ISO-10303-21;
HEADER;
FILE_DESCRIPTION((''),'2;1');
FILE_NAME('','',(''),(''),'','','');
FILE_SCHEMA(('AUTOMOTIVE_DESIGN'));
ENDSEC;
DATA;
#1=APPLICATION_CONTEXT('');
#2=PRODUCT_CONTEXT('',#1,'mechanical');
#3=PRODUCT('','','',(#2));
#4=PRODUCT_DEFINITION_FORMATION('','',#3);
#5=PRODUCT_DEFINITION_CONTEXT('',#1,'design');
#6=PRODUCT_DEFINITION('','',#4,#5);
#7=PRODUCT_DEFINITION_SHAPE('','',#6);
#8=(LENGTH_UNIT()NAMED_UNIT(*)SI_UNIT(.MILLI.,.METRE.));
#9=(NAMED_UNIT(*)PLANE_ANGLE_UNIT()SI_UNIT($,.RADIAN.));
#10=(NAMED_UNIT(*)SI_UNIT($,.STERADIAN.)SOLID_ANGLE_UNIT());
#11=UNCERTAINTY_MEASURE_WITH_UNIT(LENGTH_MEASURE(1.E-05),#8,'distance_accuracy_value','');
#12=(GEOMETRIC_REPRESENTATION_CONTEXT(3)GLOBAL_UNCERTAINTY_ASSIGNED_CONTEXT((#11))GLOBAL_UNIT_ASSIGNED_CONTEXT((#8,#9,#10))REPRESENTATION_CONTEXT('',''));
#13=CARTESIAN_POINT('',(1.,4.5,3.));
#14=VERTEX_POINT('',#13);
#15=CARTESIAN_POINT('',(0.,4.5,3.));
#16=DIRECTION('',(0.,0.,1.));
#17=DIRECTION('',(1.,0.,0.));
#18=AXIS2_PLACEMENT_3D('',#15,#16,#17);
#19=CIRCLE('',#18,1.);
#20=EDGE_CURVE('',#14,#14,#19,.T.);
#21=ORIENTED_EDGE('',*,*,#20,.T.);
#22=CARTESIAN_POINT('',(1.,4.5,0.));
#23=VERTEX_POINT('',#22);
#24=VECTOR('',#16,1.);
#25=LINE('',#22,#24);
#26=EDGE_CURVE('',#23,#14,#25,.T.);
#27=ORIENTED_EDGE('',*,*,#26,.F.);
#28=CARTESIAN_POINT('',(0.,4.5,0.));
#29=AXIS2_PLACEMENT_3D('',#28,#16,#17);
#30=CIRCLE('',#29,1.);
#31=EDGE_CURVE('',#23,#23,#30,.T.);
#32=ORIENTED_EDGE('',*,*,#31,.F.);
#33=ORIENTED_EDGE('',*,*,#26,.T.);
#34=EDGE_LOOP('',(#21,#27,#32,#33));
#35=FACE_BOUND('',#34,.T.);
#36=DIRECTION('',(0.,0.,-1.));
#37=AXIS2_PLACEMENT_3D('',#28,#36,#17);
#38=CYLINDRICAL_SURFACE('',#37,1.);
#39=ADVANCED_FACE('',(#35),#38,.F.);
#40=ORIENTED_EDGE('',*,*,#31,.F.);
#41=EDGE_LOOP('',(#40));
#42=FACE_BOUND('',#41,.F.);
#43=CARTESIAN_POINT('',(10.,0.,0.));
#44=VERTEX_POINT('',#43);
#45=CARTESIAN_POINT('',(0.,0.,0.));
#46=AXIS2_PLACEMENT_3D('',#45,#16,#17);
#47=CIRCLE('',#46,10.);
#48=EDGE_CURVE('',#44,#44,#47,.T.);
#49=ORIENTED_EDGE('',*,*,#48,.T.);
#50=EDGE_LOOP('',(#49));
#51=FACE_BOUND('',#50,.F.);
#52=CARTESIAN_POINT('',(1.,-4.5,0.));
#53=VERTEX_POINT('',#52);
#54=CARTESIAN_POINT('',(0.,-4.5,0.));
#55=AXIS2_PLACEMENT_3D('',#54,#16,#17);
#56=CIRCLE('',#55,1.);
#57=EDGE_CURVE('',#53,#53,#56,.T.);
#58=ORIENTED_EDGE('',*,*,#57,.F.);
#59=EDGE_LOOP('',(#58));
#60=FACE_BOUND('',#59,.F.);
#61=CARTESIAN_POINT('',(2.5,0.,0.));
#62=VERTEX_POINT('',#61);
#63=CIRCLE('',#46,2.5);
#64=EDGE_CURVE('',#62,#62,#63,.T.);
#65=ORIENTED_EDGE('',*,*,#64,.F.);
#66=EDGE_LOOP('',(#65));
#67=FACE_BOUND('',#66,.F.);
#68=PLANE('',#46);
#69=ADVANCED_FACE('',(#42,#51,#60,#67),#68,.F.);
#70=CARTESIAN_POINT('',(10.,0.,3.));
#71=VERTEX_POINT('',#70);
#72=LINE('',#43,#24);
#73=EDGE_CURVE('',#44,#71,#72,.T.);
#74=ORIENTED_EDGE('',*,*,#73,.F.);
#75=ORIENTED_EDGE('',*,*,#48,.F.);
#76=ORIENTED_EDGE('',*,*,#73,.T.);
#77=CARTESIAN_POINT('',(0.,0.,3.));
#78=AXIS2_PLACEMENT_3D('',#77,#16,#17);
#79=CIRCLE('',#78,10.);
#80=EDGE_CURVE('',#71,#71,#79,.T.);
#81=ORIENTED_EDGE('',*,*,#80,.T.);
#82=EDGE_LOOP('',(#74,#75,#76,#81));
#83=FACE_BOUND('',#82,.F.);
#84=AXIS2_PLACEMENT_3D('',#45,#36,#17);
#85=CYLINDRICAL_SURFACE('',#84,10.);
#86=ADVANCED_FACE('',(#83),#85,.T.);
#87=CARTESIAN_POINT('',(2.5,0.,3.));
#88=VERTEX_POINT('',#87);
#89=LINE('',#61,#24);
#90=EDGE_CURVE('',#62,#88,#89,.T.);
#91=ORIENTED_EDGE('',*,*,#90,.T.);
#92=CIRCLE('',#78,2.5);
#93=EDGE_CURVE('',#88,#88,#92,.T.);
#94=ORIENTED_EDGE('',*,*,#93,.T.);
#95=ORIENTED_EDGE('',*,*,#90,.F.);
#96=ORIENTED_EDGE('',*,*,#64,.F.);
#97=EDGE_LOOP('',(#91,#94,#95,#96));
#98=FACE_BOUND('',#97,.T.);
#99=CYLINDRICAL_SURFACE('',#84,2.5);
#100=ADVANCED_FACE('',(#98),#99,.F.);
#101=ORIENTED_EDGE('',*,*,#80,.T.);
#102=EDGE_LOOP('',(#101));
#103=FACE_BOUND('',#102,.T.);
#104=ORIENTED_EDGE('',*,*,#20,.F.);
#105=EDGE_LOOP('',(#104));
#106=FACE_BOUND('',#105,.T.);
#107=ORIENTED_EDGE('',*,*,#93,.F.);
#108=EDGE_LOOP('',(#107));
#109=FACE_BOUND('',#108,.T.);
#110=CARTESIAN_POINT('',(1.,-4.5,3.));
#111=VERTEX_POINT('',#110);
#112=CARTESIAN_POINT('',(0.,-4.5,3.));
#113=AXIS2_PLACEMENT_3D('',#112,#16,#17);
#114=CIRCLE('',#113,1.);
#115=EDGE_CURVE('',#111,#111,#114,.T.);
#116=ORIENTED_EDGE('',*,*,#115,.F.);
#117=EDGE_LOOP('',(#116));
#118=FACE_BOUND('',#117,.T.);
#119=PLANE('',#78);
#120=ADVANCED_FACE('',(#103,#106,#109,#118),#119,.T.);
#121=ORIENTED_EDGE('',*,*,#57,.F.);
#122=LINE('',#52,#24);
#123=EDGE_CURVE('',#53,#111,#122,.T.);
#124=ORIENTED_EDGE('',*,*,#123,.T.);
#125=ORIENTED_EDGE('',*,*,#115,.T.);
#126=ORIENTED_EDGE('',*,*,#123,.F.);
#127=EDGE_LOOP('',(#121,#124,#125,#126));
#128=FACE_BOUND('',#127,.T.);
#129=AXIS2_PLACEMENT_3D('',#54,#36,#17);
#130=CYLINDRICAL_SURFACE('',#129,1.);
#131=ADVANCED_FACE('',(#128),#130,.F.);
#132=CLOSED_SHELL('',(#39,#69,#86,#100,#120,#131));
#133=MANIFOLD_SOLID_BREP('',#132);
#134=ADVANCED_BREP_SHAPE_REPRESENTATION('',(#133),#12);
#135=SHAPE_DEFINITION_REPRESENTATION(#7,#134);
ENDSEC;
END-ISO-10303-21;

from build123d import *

# Parameters (mm, degrees)
SKETCH_R   = 10
SKETCH_R_2 = 1
SKETCH_R_3 = 2.5
PAD_DEPTH  = 3


with BuildPart() as part:
    # Sketch → Pad (new body)
    with BuildSketch(Plane.XY):
        Circle(SKETCH_R)
        with Locations((0, 4.5)):
            Circle(SKETCH_R_2, mode=Mode.SUBTRACT)
        with Locations((0, -4.5)):
            Circle(SKETCH_R_2, mode=Mode.SUBTRACT)
        Circle(SKETCH_R_3, mode=Mode.SUBTRACT)
    extrude(amount=PAD_DEPTH)


solid = part.part
